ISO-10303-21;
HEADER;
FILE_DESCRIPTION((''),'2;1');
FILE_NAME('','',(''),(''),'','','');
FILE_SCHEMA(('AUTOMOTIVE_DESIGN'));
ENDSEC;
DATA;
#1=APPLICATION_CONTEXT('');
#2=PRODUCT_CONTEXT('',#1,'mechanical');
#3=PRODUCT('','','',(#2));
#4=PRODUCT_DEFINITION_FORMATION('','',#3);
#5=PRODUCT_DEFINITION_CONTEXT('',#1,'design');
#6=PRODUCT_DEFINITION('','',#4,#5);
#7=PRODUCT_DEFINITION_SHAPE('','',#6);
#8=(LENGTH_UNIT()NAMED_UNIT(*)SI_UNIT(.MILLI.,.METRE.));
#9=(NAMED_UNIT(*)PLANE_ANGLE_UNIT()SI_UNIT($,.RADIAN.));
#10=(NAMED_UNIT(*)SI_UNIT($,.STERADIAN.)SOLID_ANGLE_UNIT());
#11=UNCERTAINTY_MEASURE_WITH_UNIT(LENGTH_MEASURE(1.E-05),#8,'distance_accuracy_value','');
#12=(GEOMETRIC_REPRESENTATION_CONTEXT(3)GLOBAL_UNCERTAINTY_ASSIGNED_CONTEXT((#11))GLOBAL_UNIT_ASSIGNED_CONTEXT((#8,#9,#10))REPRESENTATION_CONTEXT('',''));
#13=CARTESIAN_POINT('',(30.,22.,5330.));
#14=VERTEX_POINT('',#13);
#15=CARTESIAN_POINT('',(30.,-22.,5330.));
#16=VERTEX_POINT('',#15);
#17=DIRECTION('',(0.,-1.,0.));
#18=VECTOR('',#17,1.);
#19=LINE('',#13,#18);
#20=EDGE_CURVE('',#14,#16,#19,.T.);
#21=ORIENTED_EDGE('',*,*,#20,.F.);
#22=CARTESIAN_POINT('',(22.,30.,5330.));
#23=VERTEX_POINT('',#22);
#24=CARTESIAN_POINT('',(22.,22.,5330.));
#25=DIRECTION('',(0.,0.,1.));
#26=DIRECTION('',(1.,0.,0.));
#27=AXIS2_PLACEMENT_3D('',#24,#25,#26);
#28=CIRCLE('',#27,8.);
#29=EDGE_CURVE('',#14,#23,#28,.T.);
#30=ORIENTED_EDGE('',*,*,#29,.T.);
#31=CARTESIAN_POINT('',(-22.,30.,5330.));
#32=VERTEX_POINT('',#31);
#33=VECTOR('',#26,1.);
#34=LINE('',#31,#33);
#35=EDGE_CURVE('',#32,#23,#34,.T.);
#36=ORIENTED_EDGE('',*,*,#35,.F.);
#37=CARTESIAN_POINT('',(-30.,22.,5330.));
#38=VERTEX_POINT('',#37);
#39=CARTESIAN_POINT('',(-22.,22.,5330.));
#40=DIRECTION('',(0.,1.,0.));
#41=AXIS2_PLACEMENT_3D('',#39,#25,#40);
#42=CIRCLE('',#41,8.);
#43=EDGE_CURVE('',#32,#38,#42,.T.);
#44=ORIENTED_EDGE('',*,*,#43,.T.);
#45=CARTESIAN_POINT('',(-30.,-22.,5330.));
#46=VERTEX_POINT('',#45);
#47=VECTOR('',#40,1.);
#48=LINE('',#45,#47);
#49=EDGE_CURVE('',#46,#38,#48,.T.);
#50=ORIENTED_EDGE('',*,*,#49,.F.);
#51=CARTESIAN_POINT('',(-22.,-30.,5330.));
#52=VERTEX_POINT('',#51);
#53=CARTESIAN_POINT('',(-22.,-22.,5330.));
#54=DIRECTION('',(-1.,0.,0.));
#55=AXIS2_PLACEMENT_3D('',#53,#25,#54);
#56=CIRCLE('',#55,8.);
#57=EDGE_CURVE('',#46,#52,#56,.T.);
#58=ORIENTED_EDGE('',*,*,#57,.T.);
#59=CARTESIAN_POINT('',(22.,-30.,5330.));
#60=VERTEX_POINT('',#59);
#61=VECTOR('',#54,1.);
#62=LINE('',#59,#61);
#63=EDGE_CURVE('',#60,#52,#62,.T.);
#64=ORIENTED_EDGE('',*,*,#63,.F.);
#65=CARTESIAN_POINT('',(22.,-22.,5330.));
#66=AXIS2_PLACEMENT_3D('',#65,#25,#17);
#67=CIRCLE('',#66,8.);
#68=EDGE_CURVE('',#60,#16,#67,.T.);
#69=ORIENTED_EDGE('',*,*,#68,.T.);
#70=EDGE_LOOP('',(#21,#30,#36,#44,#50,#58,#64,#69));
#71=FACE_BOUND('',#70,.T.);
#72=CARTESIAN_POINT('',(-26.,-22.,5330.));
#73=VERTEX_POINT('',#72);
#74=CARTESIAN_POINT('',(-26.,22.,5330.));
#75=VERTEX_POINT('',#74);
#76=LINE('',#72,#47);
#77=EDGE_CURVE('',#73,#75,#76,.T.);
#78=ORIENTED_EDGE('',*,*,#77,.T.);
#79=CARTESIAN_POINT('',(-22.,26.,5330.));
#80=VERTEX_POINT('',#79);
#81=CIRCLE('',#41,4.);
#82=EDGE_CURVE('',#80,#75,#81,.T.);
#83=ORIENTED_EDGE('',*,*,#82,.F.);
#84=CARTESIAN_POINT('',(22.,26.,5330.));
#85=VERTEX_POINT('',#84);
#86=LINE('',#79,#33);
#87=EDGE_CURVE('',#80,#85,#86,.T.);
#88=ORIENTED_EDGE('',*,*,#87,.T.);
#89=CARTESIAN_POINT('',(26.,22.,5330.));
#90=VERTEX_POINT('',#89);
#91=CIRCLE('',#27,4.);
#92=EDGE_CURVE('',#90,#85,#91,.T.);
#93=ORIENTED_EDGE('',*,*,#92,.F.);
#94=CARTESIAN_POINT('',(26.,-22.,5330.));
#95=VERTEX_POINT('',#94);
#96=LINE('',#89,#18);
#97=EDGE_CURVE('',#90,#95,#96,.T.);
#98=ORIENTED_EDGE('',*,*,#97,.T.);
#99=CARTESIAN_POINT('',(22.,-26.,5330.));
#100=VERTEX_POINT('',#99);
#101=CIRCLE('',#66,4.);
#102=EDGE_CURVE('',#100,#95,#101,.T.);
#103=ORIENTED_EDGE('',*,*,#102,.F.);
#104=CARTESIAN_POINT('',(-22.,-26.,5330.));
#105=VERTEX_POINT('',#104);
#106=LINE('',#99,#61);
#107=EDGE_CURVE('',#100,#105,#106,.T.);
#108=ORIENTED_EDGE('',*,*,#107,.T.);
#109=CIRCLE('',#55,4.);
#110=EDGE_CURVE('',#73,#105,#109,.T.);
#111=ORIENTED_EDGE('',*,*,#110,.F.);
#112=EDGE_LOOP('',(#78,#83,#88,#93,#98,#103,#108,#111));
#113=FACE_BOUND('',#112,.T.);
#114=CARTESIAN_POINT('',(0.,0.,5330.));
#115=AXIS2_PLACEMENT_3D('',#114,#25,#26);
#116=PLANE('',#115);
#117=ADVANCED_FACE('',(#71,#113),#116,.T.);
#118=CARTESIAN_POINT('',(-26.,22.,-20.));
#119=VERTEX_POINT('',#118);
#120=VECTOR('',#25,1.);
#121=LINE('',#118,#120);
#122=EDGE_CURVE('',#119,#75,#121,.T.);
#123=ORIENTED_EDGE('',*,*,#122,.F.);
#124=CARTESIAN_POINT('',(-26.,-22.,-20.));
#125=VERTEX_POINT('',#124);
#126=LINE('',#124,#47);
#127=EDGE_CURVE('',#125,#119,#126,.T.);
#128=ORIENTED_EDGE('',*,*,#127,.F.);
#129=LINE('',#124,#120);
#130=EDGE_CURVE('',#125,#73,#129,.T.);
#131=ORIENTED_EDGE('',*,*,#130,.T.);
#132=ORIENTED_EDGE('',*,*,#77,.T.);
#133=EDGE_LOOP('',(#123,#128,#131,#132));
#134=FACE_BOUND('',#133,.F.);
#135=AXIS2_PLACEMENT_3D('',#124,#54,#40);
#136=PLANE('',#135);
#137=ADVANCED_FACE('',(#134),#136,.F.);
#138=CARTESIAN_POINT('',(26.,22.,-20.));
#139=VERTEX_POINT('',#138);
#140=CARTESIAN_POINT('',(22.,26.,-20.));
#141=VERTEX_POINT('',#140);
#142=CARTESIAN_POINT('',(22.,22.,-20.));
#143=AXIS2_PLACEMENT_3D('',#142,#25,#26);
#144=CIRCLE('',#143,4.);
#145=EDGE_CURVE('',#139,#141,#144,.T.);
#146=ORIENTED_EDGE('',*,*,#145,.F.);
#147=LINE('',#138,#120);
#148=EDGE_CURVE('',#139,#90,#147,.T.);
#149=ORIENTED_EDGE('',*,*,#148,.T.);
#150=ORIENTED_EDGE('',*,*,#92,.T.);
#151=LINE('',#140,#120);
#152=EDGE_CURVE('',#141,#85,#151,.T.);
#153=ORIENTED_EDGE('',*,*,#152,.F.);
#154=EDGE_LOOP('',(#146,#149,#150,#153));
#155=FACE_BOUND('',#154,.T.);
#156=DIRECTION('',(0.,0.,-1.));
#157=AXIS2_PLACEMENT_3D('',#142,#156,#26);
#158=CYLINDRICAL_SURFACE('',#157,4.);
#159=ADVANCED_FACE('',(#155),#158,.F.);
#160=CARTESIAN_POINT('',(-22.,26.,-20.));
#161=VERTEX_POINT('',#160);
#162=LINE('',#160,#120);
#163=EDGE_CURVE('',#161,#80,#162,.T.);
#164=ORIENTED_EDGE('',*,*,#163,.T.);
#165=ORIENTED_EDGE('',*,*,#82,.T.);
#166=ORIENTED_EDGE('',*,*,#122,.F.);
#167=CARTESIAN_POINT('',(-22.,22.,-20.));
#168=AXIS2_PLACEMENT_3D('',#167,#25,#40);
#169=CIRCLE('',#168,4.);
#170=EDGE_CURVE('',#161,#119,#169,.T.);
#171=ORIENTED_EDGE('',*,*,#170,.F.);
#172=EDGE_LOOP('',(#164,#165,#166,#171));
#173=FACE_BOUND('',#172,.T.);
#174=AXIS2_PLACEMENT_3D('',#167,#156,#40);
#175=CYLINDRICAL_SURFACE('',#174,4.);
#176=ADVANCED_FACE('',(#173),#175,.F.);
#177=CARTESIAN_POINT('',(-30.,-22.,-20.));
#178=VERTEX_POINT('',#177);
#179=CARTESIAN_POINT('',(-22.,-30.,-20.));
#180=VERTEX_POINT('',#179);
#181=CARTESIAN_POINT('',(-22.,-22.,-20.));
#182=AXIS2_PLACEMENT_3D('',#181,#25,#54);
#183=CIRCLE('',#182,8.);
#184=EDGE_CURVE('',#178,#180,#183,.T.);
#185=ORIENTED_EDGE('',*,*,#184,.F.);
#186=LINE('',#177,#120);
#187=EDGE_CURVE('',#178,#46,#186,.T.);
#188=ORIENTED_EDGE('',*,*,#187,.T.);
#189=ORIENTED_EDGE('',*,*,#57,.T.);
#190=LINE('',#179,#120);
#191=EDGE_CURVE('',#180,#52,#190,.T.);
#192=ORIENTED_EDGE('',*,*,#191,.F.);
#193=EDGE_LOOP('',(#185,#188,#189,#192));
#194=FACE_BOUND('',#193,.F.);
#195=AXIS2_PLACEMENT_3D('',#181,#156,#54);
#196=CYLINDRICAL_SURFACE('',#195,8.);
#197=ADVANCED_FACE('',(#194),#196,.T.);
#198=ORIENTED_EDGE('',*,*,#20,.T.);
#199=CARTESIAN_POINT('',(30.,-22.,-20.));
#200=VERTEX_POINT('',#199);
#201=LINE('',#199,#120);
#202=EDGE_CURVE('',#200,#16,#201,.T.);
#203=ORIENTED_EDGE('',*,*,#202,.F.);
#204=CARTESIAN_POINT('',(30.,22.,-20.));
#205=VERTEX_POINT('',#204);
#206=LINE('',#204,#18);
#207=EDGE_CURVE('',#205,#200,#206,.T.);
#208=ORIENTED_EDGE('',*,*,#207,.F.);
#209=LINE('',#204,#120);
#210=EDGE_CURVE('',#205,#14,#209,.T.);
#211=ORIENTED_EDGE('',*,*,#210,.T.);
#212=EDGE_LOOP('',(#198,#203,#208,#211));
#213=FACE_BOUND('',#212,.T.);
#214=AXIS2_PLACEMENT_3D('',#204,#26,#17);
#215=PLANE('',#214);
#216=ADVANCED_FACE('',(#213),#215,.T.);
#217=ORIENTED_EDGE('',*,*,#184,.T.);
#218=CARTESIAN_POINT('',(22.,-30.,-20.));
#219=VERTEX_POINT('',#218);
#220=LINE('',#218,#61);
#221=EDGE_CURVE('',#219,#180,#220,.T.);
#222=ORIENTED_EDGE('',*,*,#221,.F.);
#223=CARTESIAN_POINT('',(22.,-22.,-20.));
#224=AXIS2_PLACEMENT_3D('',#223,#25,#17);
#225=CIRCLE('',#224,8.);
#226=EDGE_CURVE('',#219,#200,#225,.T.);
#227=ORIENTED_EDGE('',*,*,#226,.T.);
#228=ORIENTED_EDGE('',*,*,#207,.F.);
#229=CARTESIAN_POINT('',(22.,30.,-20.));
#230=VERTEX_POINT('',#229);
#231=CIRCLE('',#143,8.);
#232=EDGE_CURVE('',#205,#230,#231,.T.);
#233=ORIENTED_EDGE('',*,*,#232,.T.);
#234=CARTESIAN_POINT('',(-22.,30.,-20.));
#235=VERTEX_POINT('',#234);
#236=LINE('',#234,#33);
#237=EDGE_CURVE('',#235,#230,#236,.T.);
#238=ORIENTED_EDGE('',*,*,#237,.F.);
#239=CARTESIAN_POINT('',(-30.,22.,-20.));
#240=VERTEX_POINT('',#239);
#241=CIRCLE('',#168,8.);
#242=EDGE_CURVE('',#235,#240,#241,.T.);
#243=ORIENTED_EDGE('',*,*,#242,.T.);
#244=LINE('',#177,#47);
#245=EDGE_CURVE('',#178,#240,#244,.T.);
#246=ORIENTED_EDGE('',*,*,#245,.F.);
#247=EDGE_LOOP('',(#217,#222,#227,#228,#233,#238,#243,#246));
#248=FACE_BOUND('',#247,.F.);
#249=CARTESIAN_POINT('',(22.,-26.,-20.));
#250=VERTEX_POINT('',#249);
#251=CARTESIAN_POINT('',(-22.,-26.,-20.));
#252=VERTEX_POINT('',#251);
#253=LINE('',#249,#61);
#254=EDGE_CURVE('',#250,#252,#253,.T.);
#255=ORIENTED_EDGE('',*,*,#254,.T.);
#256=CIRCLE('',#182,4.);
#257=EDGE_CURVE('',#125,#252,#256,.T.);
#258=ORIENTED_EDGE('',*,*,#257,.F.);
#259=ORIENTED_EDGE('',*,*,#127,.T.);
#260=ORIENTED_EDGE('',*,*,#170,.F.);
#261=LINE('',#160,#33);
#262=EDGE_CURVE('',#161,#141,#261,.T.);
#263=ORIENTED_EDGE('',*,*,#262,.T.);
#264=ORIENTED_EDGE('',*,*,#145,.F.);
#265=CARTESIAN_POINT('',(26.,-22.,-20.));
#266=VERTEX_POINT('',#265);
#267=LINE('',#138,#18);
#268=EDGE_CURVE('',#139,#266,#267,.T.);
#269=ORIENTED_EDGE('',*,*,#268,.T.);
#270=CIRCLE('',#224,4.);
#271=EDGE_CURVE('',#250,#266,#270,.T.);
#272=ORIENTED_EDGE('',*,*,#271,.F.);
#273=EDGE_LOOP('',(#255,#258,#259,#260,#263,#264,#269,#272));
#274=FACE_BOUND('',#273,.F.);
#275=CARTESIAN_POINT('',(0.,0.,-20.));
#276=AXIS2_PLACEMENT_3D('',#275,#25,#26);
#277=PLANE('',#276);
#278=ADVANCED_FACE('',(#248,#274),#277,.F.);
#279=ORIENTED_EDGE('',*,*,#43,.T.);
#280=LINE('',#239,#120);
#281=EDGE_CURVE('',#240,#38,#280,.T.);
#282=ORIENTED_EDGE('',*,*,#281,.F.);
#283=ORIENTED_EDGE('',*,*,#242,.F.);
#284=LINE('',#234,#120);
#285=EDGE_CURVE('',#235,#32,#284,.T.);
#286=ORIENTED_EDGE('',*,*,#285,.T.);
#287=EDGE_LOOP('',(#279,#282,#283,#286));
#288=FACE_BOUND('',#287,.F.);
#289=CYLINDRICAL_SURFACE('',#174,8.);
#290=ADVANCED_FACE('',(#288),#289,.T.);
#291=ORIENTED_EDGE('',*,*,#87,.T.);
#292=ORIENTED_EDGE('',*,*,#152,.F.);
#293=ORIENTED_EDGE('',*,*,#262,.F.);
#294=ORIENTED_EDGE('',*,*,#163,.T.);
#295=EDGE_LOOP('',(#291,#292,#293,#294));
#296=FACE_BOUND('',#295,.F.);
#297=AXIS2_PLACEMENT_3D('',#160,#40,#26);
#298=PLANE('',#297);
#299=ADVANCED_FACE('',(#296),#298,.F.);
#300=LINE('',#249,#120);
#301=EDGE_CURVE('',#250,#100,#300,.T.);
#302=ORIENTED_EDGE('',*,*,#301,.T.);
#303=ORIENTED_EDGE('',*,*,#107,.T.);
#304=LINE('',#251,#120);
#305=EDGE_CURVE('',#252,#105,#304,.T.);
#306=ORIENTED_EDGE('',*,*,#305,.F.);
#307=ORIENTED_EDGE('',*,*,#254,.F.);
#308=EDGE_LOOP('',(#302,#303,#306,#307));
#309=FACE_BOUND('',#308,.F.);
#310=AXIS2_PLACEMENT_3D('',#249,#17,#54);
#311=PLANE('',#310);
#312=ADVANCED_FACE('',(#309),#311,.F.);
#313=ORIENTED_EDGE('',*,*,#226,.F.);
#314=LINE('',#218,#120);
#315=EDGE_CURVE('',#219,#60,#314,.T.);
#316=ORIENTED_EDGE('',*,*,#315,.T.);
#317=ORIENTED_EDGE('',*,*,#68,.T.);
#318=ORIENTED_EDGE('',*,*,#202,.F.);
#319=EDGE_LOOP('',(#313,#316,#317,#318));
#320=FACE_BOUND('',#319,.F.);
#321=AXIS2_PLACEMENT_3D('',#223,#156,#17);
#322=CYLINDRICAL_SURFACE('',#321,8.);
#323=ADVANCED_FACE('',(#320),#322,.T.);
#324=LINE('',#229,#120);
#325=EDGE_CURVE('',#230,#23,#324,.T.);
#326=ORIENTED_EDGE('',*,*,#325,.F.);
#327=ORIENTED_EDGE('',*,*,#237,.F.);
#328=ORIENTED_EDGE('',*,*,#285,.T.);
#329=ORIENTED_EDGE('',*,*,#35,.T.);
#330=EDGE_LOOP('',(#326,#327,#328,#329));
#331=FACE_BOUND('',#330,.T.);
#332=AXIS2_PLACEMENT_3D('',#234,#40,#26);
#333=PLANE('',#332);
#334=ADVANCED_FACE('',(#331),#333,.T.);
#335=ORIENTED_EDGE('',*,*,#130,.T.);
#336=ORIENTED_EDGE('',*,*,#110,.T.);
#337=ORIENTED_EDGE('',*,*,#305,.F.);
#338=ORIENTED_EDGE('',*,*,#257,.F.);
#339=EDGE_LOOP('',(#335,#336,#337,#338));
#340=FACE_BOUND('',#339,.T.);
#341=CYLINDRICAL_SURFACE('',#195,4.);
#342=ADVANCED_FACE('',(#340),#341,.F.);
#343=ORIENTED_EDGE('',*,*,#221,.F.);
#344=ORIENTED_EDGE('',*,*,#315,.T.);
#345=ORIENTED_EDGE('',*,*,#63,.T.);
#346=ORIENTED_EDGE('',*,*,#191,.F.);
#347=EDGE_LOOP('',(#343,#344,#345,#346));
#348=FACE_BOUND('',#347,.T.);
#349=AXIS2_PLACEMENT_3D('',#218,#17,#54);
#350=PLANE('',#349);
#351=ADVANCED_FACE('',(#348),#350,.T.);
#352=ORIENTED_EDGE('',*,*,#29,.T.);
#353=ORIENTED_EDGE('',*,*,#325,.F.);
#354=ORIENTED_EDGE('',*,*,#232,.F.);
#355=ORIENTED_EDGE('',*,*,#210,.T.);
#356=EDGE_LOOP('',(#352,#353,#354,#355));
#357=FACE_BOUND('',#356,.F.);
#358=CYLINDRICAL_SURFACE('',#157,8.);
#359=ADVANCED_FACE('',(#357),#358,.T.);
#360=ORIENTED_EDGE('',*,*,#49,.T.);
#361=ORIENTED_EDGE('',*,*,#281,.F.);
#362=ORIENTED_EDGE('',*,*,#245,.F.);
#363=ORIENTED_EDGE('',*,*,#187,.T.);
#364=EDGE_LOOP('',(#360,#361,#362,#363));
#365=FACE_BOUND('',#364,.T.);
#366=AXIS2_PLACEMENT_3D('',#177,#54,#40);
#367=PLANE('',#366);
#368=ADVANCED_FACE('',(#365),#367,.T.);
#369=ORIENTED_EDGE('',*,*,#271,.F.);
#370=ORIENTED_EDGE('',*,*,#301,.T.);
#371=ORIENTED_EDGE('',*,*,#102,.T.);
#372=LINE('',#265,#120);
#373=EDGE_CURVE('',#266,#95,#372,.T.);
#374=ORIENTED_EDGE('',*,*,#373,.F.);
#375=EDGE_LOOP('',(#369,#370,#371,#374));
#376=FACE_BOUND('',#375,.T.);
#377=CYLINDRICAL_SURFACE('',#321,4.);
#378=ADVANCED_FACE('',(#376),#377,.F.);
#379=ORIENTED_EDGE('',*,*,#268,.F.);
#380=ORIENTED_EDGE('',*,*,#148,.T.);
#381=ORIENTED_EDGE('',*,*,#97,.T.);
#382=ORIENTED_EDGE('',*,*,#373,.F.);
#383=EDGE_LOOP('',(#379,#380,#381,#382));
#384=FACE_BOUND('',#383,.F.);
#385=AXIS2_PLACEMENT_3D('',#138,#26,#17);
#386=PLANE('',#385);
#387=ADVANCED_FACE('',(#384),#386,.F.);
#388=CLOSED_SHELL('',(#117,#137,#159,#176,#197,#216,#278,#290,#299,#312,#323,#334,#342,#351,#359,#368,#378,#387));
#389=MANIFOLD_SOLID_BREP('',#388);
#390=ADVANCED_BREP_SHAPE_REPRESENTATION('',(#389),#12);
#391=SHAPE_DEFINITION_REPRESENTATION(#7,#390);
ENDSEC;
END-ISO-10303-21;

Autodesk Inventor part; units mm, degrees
ref_plane "Start Plane" through (0, 0, -20) normal (0, 0, 1) x (1, 0, 0)
ref_plane "End Plane" through (0, 0, 5330) normal (0, 0, 1) x (1, 0, 0)
sketch "Sketch" plane through (0, 0, 0) normal (0, 0, 1) x (1, 0, 0)
  line L0 (-30, -22) -> (-30, 22)
  line L1 (-22, 30) -> (22, 30)
  line L2 (30, 22) -> (30, -22)
  line L3 (22, -30) -> (-22, -30)
  arc A0 (-30, -22) -> (-22, -30) centre (-22, -22) ccw
  arc A1 (30, 22) -> (22, 30) centre (22, 22) ccw
  arc A2 (-22, 30) -> (-30, 22) centre (-22, 22) ccw
  arc A3 (22, -30) -> (30, -22) centre (22, -22) ccw
  arc A4 (-22, 26) -> (-26, 22) centre (-22, 22) ccw
  line L4 (-22, 26) -> (22, 26)
  arc A5 (26, 22) -> (22, 26) centre (22, 22) ccw
  line L5 (26, 22) -> (26, -22)
  arc A6 (22, -26) -> (26, -22) centre (22, -22) ccw
  line L6 (22, -26) -> (-22, -26)
  arc A7 (-26, -22) -> (-22, -26) centre (-22, -22) ccw
  line L7 (-26, -22) -> (-26, 22)
  line L8 (0, 44.3196) -> (0, -44.3196) construction
  line L9 (-44.3196, 0) -> (44.3196, 0) construction
  dimension "d7" = 8
  dimension "d9" = 60
  dimension "d11" = 60
  dimension "d12" = 4
  dimension "d15" = 30
  dimension "d16" = 30
extrude "Body" add sketch "Sketch" along normal up to surface (5350 mm away) from surface at -20
sketch "Sketch3" plane through (0, 0, 0) normal (0, 0, 1) x (1, 0, 0)
  line L0 (0, 0) -> (10, 0)
ref_plane "Work Plane3" through (0, 0, 0) normal (0, -1, 0) x (1, 0, 0)
ref_plane "Work Plane4" through (-750, -16, 5330) normal (0, 0, 1) x (1, 0, 0)
split "Split1" plane through (-750, -16, 5330) removes the side toward (0, 0, 1)
ref_plane "Work Plane5" through (-750, 26, -20) normal (0, 0, -1) x (-1, 0, 0)
split "Split2" plane through (-750, 26, -20) removes the side toward (0, 0, -1)
sketch "Sketch4" plane through (0, 0, 0) normal (0, -1, 0) x (1, 0, 0)
  line L0 (-2, -20) -> (12, -20) projected
  line L1 (-2, 5330) -> (12, 5330) projected
  dimension "d18" = 5350
equation "\"d7\" = G_IR"
equation "\"d9\" = G_W"
equation "\"d11\" = G_H"
equation "\"d12\" = G_T"
equation "\"d15\" = 0.5 * d9"
equation "\"d16\" = 0.5 * d11"
equation "\"d3\" = G_L"
equation "\"G_W\" = 60"
equation "\"G_H\" = 60"
equation "\"G_T\" = 4"
equation "\"G_IR\" = 8"
equation "\"G_L\" = d18"
properties part number "ISO 10799-2 - 60x60x4 - 5350" material "Steel, Mild"
